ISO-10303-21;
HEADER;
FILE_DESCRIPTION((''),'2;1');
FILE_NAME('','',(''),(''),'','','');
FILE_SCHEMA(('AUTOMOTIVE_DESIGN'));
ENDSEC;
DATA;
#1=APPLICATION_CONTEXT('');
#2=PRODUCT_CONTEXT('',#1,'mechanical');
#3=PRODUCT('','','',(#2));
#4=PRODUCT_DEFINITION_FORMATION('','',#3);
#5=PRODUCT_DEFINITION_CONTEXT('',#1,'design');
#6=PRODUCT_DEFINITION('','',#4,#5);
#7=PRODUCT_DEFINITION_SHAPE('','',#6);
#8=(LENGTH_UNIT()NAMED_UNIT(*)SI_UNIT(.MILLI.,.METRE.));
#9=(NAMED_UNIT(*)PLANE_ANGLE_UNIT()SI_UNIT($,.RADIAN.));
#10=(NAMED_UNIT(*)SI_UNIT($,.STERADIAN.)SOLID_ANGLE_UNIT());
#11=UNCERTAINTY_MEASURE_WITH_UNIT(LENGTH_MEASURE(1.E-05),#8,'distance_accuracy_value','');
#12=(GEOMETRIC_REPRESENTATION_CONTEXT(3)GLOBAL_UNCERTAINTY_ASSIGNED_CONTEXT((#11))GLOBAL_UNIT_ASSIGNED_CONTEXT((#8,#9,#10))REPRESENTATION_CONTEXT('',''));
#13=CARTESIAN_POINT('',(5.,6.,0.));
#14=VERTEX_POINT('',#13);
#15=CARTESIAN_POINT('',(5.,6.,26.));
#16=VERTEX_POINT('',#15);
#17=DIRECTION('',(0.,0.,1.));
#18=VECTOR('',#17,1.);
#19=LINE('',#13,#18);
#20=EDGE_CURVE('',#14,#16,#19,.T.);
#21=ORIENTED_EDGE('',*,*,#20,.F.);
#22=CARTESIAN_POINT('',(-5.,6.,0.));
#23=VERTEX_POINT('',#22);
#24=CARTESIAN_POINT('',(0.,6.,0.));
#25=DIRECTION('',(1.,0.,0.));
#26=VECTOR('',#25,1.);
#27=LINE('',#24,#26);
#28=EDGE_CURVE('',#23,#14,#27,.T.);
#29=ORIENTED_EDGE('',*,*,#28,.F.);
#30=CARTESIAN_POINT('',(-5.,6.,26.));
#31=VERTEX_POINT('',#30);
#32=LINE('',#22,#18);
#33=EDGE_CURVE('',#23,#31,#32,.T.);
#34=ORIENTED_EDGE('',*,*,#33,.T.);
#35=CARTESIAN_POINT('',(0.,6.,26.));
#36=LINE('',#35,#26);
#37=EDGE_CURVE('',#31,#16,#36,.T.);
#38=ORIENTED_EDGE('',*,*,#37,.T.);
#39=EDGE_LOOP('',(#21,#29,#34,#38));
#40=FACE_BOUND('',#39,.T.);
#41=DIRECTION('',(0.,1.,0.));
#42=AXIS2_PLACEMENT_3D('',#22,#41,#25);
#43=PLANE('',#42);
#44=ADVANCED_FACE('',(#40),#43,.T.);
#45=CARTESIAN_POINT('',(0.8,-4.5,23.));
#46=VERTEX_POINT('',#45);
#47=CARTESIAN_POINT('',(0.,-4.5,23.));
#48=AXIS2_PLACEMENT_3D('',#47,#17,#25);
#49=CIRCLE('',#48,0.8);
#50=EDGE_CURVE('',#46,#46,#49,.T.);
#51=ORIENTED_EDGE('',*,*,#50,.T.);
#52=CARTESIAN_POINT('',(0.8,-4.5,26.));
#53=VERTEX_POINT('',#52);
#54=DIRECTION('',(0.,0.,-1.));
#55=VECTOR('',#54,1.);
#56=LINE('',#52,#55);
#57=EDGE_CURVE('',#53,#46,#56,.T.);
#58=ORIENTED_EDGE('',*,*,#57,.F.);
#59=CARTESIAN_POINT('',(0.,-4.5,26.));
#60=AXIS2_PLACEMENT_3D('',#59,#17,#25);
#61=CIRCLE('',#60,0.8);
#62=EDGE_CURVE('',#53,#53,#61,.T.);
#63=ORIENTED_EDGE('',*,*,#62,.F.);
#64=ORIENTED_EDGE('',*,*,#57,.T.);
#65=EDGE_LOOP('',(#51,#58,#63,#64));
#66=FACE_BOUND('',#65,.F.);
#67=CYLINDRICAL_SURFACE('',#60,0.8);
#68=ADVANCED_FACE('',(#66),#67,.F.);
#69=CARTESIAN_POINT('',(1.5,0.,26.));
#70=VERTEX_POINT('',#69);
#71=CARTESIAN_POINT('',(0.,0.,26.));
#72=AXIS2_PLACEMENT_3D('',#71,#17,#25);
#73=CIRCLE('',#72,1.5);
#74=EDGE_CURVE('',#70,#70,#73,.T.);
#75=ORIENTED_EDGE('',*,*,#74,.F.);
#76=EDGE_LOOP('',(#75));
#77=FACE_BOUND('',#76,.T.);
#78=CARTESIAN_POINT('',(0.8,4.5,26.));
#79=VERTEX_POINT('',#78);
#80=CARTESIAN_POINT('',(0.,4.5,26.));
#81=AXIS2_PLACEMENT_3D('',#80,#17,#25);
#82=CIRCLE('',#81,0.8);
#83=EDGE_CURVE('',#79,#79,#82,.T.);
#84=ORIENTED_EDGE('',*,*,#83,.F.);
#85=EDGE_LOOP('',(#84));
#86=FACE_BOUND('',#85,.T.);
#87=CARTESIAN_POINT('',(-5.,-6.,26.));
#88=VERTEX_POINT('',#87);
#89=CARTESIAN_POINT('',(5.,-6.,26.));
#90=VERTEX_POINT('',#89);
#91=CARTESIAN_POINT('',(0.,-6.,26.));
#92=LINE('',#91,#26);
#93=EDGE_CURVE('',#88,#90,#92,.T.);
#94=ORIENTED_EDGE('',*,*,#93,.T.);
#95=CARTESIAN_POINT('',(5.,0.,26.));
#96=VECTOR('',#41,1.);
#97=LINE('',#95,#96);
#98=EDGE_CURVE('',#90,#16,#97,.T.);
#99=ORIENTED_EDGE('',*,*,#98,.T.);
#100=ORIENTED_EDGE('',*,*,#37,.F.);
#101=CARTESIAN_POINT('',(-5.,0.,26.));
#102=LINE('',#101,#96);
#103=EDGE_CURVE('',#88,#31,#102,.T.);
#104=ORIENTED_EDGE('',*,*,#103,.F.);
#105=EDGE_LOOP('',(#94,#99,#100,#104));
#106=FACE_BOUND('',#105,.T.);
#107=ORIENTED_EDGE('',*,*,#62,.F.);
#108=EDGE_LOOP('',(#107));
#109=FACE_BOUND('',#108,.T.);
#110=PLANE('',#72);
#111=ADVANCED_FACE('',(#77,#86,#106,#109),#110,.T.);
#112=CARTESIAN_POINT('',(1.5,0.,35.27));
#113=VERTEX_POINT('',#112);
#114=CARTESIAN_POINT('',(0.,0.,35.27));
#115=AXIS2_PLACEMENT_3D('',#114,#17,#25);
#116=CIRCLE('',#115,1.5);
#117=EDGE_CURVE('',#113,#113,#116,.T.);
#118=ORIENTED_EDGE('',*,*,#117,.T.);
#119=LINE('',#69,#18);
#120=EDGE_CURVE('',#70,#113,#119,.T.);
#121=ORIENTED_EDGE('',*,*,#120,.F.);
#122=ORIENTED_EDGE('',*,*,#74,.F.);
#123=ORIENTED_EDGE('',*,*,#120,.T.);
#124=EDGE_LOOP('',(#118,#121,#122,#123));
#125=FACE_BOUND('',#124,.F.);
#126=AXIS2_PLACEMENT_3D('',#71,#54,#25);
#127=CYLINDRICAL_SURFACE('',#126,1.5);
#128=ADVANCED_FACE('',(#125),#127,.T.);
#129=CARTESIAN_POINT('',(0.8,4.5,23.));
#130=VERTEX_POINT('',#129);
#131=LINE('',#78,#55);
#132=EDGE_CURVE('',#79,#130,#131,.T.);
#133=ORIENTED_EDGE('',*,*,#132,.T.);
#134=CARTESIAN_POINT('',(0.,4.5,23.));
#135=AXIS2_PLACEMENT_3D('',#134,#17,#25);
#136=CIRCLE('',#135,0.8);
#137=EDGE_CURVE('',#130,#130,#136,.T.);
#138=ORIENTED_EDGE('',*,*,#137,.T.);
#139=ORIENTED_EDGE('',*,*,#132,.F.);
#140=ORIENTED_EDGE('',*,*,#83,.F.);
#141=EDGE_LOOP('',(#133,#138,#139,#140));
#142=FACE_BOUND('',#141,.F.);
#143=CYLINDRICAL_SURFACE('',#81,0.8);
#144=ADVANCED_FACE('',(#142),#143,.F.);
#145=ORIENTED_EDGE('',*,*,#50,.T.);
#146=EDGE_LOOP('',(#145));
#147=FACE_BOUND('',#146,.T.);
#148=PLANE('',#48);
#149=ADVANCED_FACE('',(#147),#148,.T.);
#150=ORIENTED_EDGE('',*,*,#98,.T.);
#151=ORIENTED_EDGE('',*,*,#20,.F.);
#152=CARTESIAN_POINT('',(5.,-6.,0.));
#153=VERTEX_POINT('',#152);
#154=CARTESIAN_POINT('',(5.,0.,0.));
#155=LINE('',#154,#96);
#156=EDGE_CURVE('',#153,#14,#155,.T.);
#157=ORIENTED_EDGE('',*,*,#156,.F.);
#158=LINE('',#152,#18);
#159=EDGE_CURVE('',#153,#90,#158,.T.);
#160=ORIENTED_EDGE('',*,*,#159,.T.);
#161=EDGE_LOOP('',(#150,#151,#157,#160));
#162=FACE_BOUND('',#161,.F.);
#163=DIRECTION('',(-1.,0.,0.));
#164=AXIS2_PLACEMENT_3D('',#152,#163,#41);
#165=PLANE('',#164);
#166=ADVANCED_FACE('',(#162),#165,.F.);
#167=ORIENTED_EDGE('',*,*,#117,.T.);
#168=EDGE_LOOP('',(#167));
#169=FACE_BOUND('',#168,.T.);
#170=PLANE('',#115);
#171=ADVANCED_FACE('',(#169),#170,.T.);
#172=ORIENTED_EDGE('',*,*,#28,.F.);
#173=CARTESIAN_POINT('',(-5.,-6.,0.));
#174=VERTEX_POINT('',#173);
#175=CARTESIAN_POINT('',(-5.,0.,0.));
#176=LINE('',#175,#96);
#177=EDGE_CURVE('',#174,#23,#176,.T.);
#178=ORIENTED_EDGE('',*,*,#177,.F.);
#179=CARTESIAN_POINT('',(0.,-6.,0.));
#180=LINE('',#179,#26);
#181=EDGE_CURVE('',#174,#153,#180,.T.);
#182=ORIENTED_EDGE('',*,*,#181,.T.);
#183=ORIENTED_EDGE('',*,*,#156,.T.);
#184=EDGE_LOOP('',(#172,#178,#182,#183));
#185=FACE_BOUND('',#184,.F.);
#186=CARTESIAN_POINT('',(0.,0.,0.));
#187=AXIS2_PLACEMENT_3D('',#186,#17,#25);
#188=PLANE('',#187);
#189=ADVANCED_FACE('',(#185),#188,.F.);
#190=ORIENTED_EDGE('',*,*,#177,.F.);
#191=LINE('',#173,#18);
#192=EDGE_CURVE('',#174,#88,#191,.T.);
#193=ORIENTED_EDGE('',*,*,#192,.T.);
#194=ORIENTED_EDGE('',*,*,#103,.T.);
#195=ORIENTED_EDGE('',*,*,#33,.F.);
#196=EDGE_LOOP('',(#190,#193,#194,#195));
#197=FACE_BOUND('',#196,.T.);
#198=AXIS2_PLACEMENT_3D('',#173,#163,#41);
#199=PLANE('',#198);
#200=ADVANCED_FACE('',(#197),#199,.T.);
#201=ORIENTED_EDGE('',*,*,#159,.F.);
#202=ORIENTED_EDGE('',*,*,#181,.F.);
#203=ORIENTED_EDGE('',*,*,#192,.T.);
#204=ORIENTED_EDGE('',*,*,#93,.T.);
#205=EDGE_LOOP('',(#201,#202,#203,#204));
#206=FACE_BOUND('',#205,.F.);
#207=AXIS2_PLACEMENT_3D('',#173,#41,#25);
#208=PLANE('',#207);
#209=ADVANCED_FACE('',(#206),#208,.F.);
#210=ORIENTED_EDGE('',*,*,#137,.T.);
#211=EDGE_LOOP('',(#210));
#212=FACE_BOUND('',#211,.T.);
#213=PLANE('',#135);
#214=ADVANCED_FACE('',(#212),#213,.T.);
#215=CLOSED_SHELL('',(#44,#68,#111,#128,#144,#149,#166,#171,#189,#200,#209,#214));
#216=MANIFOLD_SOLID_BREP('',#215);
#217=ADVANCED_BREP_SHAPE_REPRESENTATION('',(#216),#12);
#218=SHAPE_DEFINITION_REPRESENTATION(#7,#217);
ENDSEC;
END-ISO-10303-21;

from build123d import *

# Parameters (mm, degrees)
F0_W     = 10
F0_H     = 12
F1_DEPTH = 26
F2_R     = 1.5
F3_DEPTH = 9.27
F4_R     = 0.8
F5_DEPTH = 3


with BuildPart() as f1:
    # F0 (on Top) → F1 (new body)
    with BuildSketch(Plane.XY):
        Rectangle(F0_W, F0_H)
    extrude(amount=F1_DEPTH)

    # F2 (on face) → F3 (join)
    with BuildSketch(Plane.XY.offset(26)):
        Circle(F2_R)
    extrude(amount=F3_DEPTH)

    # F4 (on face) → F5 (cut)
    with BuildSketch(Plane.XY.offset(26)):
        with Locations((0, 4.5)):
            Circle(F4_R)
        with Locations((0, -4.5)):
            Circle(F4_R)
    extrude(amount=-F5_DEPTH, mode=Mode.SUBTRACT)


solid = f1.part
